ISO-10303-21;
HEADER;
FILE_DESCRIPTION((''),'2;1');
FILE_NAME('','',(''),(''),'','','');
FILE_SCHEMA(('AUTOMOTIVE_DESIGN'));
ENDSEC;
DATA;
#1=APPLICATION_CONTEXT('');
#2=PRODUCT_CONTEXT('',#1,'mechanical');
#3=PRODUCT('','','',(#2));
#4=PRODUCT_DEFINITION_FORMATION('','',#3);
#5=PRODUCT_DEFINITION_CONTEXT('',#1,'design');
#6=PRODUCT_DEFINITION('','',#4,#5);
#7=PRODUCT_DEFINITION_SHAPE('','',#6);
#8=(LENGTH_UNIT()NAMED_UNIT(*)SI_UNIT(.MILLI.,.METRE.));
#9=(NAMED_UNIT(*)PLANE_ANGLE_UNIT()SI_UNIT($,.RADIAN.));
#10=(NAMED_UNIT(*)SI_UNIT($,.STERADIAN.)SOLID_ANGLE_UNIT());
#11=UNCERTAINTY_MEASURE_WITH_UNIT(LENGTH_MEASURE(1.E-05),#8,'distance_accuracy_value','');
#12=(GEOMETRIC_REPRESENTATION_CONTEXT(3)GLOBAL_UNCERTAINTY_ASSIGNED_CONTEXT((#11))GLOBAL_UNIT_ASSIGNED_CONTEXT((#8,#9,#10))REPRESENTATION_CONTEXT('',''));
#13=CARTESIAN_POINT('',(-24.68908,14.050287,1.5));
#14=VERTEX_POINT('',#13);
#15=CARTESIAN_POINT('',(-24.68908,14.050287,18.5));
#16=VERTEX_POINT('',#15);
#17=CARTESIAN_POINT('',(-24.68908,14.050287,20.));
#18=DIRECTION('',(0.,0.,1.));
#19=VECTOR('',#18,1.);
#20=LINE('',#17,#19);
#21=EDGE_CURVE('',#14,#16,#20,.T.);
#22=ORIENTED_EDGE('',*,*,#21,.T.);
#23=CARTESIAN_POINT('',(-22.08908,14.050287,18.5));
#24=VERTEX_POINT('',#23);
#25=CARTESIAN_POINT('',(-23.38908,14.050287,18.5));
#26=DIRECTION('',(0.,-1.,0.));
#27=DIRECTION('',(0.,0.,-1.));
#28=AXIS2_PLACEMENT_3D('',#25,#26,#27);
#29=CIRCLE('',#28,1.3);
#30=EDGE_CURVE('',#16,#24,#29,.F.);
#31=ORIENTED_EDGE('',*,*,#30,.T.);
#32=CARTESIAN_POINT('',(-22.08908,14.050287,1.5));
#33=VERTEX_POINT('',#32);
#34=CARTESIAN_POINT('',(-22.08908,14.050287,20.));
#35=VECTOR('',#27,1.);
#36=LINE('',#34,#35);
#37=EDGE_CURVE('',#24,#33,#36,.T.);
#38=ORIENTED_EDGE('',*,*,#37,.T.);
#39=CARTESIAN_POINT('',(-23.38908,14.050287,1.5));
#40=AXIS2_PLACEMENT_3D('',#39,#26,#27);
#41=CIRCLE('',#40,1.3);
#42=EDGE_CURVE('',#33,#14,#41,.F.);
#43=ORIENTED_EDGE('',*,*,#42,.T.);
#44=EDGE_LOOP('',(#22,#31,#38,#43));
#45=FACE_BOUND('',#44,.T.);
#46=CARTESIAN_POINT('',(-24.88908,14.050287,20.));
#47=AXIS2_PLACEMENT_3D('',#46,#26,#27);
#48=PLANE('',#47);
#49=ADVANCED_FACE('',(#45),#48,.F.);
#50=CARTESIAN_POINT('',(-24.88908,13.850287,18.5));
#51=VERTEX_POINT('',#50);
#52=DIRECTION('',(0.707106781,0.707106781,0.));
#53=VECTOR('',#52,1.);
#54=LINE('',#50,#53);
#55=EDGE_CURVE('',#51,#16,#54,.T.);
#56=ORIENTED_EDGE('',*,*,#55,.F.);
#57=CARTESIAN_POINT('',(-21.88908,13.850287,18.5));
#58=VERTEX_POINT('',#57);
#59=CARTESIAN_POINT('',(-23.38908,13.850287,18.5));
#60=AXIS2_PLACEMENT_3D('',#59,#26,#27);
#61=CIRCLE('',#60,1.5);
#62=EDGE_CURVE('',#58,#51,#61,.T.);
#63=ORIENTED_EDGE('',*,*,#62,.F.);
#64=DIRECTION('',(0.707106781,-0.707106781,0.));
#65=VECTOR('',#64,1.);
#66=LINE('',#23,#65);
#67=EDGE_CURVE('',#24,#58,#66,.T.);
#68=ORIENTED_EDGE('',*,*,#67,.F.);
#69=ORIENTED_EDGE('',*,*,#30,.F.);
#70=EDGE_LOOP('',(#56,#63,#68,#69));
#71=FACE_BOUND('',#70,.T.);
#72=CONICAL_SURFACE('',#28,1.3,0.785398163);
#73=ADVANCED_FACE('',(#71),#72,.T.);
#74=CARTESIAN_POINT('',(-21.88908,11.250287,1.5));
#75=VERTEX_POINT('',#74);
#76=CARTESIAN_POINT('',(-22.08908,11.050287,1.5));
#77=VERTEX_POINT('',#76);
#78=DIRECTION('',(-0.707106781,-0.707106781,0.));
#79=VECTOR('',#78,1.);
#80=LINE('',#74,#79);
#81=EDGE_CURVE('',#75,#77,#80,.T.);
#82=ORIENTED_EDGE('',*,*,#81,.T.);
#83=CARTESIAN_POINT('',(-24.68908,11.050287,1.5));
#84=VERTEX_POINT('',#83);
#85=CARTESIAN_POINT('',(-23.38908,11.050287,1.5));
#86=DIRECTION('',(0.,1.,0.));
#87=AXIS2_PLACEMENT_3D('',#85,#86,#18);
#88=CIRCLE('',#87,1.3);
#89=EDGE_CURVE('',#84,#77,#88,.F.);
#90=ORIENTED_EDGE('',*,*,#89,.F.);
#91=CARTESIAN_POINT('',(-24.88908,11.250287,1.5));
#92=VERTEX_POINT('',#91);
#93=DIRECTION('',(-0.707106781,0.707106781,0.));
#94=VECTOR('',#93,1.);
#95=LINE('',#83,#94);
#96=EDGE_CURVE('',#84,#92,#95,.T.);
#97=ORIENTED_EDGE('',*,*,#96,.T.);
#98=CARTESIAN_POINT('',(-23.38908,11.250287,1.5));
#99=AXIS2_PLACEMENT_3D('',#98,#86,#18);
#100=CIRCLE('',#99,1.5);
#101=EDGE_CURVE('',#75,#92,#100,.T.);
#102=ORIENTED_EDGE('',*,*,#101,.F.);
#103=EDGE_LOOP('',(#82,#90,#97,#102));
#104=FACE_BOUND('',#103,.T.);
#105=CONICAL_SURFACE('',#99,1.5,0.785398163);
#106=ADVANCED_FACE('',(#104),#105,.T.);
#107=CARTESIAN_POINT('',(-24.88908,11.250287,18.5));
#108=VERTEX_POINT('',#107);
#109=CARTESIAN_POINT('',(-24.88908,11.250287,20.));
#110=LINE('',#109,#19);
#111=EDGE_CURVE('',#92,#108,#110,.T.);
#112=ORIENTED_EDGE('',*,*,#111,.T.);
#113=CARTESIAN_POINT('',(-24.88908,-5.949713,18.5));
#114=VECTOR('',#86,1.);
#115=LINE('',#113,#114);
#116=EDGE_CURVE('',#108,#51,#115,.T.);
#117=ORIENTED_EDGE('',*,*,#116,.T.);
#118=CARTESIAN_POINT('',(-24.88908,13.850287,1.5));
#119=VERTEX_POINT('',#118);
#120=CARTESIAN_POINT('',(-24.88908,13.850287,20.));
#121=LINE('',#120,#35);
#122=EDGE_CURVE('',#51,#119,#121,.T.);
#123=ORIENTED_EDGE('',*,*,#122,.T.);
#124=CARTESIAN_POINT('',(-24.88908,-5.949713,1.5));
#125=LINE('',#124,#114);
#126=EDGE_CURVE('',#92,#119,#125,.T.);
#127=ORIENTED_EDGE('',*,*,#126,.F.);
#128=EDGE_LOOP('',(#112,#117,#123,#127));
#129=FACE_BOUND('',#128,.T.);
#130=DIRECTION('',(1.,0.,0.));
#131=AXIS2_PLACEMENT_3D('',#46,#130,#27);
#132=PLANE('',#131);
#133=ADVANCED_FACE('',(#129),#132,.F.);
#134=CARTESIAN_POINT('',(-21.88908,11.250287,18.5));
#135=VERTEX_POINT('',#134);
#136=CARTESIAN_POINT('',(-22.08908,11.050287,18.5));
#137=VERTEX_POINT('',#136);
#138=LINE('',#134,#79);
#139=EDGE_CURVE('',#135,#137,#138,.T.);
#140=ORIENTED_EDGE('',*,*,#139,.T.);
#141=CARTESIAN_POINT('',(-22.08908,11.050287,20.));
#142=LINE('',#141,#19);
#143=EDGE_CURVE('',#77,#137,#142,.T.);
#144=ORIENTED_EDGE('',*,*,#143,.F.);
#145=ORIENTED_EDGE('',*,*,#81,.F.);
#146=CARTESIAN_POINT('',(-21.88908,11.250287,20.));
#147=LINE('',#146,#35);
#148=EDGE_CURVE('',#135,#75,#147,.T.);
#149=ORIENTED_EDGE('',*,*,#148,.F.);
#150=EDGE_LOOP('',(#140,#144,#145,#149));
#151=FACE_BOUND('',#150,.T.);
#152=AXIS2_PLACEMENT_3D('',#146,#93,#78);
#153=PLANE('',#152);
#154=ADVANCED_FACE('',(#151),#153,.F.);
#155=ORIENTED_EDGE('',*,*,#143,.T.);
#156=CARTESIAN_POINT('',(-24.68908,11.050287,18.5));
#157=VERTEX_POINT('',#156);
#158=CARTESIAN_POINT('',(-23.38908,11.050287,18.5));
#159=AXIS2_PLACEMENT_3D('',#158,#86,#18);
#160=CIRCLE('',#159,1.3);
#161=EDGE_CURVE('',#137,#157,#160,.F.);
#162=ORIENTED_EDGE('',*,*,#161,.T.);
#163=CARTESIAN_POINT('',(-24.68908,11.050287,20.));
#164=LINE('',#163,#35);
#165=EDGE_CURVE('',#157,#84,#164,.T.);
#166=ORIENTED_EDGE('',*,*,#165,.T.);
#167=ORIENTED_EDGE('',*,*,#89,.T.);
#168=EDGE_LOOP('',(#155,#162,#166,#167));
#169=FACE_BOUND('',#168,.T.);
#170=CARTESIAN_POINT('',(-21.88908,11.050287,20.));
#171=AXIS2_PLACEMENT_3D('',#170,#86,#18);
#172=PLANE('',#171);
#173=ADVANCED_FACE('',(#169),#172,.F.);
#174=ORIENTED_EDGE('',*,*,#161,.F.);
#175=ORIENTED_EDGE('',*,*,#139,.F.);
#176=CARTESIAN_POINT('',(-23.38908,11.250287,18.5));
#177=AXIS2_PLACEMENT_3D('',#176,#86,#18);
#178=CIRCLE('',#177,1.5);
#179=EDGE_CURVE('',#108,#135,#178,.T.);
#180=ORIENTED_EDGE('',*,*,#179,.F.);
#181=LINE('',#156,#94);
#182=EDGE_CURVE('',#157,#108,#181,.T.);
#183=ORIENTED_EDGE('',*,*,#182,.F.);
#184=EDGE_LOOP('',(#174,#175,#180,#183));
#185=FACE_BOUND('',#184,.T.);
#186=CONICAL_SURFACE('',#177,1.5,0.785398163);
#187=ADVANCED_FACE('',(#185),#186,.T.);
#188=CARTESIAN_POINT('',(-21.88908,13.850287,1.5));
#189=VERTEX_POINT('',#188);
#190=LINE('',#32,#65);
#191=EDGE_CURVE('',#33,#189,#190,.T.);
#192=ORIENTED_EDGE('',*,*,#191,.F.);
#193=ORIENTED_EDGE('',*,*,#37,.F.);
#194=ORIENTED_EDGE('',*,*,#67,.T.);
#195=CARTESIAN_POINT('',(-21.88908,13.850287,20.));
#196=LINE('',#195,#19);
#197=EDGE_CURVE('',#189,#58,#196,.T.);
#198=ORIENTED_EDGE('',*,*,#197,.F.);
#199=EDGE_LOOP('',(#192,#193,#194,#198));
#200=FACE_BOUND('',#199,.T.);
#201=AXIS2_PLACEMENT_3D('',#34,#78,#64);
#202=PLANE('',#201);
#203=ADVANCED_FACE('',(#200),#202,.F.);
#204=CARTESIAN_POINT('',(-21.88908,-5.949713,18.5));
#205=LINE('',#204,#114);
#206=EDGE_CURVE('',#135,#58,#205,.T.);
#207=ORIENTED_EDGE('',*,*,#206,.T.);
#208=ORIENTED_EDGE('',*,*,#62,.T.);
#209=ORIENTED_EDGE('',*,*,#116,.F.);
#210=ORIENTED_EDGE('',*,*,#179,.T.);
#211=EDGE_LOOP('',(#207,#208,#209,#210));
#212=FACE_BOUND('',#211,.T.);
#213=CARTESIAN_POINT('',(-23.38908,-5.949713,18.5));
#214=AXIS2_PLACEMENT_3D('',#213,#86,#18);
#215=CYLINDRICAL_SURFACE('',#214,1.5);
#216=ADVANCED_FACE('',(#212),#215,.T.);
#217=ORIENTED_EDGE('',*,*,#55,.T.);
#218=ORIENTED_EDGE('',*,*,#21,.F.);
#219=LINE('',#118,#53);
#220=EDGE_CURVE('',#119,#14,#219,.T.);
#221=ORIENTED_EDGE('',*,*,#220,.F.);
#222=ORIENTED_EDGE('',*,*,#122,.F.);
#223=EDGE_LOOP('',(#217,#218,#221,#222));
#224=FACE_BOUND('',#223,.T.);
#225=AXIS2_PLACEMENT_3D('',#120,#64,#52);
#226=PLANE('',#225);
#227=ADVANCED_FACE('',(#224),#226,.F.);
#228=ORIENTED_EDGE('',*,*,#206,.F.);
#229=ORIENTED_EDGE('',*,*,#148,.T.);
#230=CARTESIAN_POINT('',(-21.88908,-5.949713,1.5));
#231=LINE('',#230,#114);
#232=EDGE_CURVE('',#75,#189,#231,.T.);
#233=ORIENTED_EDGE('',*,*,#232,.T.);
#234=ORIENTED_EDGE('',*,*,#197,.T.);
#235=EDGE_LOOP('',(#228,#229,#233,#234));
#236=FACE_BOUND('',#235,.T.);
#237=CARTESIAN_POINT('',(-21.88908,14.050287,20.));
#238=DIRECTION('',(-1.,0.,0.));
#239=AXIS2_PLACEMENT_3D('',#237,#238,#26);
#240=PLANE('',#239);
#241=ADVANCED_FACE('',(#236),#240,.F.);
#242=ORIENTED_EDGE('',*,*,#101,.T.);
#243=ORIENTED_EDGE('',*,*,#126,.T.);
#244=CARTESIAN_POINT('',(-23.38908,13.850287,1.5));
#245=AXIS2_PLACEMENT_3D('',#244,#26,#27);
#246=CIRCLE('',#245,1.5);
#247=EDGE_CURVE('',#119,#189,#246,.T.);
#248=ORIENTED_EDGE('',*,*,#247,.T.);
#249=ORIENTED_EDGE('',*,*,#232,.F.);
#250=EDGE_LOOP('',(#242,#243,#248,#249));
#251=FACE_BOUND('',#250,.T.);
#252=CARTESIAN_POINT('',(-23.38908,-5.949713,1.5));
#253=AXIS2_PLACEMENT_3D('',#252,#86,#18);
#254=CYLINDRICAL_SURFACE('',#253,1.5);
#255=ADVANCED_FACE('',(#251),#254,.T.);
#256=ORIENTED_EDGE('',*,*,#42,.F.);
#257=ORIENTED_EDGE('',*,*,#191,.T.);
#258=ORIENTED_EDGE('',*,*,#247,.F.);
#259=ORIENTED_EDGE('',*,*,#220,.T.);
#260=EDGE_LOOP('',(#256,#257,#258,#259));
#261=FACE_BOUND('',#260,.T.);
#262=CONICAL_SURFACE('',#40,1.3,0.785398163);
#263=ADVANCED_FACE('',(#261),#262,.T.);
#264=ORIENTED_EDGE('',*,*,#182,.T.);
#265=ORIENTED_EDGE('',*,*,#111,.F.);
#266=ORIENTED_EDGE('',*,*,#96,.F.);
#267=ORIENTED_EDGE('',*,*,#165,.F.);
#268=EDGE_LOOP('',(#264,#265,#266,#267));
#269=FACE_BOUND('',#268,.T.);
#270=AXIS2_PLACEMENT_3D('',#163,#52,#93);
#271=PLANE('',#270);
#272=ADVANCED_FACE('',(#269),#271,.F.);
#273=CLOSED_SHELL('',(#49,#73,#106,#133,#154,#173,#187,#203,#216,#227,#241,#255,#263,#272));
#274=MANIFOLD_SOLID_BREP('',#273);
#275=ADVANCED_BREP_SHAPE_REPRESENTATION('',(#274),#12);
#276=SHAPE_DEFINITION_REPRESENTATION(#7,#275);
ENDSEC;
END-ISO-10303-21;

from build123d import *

# Parameters (mm, degrees)
SKETCH1_W          = 3
SKETCH1_H          = 3
EXTRUDE1_DEPTH     = 20
SKETCH2_OUTSIDE_W  = 9.09
SKETCH2_OUTSIDE_H  = 26.09
CUT_EXTRUDE1_DEPTH = 20
CHAMFER1_SIZE      = 0.2


with BuildPart() as part:
    # Sketch1 → Extrude1 (new body)
    with BuildSketch(Plane.XY):
        with Locations((-23.38908046, 12.550287356)):
            Rectangle(SKETCH1_W, SKETCH1_H)
    extrude(amount=EXTRUDE1_DEPTH)

    # Sketch2 outside → Cut-Extrude1 (cut)
    with BuildSketch(Plane(origin=(0, 14.050287356, 0), x_dir=(1, 0, 0), z_dir=(0, 1, 0))):
        with Locations((-23.389, -10)):
            Rectangle(SKETCH2_OUTSIDE_W, SKETCH2_OUTSIDE_H)
        with BuildLine():
            Line((-24.88908046, -1.5), (-24.88908046, -18.5))
            ThreePointArc((-24.88908046, -18.5), (-23.38908046, -20), (-21.88908046, -18.5))
            Line((-21.88908046, -18.5), (-21.88908046, -1.5))
            ThreePointArc((-21.88908046, -1.5), (-23.38908046, 0), (-24.88908046, -1.5))
        make_face(mode=Mode.SUBTRACT)
    extrude(amount=-CUT_EXTRUDE1_DEPTH, mode=Mode.SUBTRACT)

    # Chamfer1
    chamfer1_edges = [part.edges().sort_by_distance(p)[0] for p in [
        (-21.88908046, 14.050287356, 10),
        (-21.88908046, 11.050287356, 10),
        (-24.88908046, 11.050287356, 10),
        (-24.88908046, 14.050287356, 10),
        (-23.38908046, 14.050287356, 20),
        (-23.38908046, 14.050287356, 0),
        (-23.38908046, 11.050287356, 0),
        (-23.38908046, 11.050287356, 20),
    ]]
    chamfer(chamfer1_edges, length=CHAMFER1_SIZE)


solid = part.part
